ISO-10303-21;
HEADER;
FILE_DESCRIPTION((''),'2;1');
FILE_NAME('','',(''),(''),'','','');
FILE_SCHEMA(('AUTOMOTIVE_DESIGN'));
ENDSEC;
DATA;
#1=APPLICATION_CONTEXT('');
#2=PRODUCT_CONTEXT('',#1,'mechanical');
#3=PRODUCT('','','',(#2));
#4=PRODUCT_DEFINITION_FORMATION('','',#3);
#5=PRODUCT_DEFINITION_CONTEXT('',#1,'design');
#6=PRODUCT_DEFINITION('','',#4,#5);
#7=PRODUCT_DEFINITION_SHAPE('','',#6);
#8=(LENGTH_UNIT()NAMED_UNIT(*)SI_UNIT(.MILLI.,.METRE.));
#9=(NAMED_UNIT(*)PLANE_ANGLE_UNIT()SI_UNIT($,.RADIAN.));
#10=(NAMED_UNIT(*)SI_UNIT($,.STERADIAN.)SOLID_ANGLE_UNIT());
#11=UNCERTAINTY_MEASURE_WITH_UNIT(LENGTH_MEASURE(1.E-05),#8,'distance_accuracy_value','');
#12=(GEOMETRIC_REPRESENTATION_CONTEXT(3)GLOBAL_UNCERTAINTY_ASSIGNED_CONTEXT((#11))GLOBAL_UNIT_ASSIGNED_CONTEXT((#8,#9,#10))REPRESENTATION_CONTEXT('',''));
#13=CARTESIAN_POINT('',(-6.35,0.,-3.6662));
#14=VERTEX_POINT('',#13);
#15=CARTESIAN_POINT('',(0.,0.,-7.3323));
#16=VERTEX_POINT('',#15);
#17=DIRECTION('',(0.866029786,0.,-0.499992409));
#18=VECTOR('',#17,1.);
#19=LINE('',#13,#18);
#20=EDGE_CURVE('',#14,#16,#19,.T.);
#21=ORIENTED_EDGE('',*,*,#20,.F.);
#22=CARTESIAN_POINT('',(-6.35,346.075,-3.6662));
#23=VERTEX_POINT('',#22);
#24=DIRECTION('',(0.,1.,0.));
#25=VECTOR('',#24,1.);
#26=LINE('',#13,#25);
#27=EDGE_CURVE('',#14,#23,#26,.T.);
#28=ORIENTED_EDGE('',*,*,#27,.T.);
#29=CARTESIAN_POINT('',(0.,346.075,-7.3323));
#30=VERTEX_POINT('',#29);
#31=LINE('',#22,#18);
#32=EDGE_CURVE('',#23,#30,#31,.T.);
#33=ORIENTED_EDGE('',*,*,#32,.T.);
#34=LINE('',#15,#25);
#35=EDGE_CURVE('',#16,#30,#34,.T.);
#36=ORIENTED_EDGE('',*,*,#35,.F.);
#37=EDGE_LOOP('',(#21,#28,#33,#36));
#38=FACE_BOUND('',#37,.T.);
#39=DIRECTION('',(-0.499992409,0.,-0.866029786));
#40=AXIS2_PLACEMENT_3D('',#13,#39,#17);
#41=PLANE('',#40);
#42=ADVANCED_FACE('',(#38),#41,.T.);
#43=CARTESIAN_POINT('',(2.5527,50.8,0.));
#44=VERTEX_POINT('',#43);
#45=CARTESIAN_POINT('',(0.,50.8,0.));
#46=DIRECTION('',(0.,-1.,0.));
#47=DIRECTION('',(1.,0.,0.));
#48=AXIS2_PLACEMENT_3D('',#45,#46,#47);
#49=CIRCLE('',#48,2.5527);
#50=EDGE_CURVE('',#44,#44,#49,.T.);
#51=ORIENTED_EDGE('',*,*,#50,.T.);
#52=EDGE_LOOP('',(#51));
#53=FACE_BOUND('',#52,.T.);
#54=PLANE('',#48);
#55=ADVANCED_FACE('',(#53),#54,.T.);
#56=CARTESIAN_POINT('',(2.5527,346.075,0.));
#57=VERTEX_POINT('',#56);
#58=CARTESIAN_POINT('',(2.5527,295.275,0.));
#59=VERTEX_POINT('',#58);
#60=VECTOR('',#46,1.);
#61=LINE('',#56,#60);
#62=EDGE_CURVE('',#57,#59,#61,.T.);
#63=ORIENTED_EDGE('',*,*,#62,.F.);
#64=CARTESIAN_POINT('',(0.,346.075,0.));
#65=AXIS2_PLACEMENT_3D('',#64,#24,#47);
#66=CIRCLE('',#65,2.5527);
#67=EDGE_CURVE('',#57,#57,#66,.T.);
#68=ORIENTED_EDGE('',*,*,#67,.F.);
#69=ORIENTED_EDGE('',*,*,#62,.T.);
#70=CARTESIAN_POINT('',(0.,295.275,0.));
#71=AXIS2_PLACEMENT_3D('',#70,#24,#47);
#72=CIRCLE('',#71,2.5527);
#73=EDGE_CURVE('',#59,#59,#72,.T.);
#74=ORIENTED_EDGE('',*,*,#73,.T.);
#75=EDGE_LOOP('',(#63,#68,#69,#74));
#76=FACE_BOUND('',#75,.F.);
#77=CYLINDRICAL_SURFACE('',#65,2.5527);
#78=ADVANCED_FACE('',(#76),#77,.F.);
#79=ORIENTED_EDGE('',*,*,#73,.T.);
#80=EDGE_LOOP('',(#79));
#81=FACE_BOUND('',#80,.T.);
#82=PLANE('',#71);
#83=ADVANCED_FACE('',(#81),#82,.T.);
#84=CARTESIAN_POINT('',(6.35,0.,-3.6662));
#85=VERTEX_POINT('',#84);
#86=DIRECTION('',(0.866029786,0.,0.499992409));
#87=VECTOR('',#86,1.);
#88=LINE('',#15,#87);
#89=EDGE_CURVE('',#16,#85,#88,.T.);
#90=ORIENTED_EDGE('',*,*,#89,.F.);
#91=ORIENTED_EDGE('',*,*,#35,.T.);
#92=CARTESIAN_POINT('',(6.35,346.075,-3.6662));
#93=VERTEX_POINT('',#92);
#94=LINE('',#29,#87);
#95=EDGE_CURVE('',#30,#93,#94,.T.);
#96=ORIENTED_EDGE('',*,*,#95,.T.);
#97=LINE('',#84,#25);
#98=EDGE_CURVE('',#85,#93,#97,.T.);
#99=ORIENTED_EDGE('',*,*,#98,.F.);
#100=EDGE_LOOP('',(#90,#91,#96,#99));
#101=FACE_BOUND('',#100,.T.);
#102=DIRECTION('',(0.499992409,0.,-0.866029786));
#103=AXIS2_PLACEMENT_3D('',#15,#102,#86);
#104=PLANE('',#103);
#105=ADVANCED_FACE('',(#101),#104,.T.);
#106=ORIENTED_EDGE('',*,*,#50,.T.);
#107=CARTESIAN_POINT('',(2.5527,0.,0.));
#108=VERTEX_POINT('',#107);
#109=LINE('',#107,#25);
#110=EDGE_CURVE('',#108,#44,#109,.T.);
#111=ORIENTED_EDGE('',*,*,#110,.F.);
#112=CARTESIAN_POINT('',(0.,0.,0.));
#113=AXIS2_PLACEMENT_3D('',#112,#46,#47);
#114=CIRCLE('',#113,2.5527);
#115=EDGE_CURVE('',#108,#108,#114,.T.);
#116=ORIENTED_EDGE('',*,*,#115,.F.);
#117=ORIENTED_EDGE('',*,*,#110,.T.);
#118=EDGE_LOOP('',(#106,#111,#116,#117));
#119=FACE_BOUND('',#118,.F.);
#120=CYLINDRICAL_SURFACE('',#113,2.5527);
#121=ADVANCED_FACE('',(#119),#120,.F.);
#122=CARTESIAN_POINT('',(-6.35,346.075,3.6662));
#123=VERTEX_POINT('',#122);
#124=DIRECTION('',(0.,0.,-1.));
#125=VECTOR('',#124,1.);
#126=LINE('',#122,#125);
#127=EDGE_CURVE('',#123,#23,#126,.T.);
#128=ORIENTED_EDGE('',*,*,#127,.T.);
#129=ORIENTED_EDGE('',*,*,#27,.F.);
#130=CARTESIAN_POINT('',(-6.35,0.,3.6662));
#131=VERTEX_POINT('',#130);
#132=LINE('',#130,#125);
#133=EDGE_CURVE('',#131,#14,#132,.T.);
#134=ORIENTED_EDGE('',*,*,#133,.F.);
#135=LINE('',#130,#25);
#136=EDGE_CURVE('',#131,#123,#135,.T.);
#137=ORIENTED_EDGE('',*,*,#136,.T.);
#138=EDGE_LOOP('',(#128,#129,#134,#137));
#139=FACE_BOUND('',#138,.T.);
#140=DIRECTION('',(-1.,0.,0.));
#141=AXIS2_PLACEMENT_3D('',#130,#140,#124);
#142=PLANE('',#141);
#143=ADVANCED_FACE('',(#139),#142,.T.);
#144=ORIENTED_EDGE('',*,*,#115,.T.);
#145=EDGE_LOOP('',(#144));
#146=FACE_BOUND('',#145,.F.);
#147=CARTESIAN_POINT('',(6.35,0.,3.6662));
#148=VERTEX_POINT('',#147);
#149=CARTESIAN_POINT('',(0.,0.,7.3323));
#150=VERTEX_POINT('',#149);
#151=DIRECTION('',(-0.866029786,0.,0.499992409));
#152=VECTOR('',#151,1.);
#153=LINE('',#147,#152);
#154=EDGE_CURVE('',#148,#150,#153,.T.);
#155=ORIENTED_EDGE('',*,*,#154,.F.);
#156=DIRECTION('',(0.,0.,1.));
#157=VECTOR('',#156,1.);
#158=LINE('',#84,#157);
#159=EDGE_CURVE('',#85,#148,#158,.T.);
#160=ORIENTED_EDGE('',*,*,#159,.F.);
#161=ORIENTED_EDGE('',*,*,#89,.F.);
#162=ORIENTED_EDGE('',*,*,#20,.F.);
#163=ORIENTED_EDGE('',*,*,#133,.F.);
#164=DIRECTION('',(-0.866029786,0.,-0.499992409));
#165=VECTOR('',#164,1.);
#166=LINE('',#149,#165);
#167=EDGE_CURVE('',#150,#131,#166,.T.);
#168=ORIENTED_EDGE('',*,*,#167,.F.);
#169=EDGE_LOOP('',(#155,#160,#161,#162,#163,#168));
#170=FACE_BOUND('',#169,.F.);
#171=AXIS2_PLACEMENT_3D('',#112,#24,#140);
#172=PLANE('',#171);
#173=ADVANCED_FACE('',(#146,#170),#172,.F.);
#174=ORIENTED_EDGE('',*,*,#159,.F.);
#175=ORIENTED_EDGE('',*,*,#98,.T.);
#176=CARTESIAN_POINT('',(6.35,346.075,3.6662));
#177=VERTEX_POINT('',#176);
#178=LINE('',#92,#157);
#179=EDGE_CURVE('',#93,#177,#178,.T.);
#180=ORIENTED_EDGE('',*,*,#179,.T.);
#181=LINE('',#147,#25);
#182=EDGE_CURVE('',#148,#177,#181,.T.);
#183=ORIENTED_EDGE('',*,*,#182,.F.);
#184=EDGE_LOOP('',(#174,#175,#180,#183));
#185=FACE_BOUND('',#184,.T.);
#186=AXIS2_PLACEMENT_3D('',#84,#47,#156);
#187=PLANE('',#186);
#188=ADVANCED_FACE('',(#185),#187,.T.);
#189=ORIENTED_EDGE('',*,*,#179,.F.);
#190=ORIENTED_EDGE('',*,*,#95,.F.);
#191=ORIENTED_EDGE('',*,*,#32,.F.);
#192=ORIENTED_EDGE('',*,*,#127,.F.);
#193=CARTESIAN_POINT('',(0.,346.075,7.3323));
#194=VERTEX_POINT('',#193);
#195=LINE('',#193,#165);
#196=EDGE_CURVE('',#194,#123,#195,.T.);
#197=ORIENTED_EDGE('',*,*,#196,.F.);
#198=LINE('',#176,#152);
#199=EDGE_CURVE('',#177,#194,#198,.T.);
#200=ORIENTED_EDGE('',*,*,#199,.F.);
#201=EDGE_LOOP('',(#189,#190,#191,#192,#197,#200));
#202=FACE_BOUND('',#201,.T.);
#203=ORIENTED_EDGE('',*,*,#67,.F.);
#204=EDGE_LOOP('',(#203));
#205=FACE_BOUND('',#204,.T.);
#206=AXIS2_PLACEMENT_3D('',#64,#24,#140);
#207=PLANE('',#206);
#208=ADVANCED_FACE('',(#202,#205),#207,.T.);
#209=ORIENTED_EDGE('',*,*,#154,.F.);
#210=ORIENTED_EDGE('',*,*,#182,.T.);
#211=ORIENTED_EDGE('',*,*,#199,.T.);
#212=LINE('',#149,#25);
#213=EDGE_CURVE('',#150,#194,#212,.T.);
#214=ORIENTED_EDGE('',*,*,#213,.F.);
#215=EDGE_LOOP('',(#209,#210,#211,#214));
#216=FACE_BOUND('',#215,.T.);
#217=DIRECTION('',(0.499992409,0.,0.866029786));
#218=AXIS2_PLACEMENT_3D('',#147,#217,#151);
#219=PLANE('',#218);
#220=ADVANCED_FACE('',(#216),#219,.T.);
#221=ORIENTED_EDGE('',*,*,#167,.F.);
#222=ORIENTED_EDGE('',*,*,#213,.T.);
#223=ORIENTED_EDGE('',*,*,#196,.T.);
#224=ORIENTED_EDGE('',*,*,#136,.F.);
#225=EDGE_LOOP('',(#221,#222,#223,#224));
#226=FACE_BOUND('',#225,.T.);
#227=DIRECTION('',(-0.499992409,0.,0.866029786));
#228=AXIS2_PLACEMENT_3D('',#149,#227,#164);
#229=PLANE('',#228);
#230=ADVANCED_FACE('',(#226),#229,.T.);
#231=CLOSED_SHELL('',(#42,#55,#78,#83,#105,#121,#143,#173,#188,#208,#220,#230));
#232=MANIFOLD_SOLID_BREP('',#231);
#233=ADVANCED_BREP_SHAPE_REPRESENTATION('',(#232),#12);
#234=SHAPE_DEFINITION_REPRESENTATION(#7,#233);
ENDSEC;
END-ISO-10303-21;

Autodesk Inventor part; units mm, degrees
ref_plane "YZ Plane" through (0, 0, 0) normal (1, 0, 0) x (0, 1, 0)
ref_plane "XZ Plane" through (0, 0, 0) normal (0, 1, 0) x (-1, 0, 0)
ref_plane "XY Plane" through (0, 0, 0) normal (0, 0, 1) x (1, 0, 0)
sketch "Sketch1" plane through (0, 0, 0) normal (0, 1, 0) x (-1, 0, 0)
  line L0 (6.35, 3.6662) -> (6.35, -3.6662)
  line L1 (6.35, -3.6662) -> (0, -7.3323)
  line L2 (0, -7.3323) -> (-6.35, -3.6662)
  line L3 (-6.35, -3.6662) -> (-6.35, 3.6662)
  line L4 (-6.35, 3.6662) -> (0, 7.3323)
  line L5 (0, 7.3323) -> (6.35, 3.6662)
  point P0 (0, 0)
  point P1 (0, 0)
  dimension "d0" = 12.7
extrude "Extrusion1" add sketch "Sketch1" along normal blind 346.075
sketch "Sketch2" plane through (0, 0, 0) normal (0, -1, 0) x (1, 0, 0)
  circle A0 centre (0, 0) radius 2.5527
  dimension "d3" = 5.1054
extrude "Extrusion2" cut sketch "Sketch2" against normal blind 50.8
sketch "Sketch3" plane through (0, 346.075, 0) normal (0, 1, 0) x (1, 0, 0)
  circle A0 centre (0, 0) radius 2.5527
  dimension "d6" = 5.1054
extrude "Extrusion3" cut sketch "Sketch3" against normal blind 50.8
thread "Thread1" size "1/4-20 UNC" class "2B" standard "ANSI Unified Screw Threads" full length
properties part number "CORL_004_PivotShaft" material "Aluminum 6061"
